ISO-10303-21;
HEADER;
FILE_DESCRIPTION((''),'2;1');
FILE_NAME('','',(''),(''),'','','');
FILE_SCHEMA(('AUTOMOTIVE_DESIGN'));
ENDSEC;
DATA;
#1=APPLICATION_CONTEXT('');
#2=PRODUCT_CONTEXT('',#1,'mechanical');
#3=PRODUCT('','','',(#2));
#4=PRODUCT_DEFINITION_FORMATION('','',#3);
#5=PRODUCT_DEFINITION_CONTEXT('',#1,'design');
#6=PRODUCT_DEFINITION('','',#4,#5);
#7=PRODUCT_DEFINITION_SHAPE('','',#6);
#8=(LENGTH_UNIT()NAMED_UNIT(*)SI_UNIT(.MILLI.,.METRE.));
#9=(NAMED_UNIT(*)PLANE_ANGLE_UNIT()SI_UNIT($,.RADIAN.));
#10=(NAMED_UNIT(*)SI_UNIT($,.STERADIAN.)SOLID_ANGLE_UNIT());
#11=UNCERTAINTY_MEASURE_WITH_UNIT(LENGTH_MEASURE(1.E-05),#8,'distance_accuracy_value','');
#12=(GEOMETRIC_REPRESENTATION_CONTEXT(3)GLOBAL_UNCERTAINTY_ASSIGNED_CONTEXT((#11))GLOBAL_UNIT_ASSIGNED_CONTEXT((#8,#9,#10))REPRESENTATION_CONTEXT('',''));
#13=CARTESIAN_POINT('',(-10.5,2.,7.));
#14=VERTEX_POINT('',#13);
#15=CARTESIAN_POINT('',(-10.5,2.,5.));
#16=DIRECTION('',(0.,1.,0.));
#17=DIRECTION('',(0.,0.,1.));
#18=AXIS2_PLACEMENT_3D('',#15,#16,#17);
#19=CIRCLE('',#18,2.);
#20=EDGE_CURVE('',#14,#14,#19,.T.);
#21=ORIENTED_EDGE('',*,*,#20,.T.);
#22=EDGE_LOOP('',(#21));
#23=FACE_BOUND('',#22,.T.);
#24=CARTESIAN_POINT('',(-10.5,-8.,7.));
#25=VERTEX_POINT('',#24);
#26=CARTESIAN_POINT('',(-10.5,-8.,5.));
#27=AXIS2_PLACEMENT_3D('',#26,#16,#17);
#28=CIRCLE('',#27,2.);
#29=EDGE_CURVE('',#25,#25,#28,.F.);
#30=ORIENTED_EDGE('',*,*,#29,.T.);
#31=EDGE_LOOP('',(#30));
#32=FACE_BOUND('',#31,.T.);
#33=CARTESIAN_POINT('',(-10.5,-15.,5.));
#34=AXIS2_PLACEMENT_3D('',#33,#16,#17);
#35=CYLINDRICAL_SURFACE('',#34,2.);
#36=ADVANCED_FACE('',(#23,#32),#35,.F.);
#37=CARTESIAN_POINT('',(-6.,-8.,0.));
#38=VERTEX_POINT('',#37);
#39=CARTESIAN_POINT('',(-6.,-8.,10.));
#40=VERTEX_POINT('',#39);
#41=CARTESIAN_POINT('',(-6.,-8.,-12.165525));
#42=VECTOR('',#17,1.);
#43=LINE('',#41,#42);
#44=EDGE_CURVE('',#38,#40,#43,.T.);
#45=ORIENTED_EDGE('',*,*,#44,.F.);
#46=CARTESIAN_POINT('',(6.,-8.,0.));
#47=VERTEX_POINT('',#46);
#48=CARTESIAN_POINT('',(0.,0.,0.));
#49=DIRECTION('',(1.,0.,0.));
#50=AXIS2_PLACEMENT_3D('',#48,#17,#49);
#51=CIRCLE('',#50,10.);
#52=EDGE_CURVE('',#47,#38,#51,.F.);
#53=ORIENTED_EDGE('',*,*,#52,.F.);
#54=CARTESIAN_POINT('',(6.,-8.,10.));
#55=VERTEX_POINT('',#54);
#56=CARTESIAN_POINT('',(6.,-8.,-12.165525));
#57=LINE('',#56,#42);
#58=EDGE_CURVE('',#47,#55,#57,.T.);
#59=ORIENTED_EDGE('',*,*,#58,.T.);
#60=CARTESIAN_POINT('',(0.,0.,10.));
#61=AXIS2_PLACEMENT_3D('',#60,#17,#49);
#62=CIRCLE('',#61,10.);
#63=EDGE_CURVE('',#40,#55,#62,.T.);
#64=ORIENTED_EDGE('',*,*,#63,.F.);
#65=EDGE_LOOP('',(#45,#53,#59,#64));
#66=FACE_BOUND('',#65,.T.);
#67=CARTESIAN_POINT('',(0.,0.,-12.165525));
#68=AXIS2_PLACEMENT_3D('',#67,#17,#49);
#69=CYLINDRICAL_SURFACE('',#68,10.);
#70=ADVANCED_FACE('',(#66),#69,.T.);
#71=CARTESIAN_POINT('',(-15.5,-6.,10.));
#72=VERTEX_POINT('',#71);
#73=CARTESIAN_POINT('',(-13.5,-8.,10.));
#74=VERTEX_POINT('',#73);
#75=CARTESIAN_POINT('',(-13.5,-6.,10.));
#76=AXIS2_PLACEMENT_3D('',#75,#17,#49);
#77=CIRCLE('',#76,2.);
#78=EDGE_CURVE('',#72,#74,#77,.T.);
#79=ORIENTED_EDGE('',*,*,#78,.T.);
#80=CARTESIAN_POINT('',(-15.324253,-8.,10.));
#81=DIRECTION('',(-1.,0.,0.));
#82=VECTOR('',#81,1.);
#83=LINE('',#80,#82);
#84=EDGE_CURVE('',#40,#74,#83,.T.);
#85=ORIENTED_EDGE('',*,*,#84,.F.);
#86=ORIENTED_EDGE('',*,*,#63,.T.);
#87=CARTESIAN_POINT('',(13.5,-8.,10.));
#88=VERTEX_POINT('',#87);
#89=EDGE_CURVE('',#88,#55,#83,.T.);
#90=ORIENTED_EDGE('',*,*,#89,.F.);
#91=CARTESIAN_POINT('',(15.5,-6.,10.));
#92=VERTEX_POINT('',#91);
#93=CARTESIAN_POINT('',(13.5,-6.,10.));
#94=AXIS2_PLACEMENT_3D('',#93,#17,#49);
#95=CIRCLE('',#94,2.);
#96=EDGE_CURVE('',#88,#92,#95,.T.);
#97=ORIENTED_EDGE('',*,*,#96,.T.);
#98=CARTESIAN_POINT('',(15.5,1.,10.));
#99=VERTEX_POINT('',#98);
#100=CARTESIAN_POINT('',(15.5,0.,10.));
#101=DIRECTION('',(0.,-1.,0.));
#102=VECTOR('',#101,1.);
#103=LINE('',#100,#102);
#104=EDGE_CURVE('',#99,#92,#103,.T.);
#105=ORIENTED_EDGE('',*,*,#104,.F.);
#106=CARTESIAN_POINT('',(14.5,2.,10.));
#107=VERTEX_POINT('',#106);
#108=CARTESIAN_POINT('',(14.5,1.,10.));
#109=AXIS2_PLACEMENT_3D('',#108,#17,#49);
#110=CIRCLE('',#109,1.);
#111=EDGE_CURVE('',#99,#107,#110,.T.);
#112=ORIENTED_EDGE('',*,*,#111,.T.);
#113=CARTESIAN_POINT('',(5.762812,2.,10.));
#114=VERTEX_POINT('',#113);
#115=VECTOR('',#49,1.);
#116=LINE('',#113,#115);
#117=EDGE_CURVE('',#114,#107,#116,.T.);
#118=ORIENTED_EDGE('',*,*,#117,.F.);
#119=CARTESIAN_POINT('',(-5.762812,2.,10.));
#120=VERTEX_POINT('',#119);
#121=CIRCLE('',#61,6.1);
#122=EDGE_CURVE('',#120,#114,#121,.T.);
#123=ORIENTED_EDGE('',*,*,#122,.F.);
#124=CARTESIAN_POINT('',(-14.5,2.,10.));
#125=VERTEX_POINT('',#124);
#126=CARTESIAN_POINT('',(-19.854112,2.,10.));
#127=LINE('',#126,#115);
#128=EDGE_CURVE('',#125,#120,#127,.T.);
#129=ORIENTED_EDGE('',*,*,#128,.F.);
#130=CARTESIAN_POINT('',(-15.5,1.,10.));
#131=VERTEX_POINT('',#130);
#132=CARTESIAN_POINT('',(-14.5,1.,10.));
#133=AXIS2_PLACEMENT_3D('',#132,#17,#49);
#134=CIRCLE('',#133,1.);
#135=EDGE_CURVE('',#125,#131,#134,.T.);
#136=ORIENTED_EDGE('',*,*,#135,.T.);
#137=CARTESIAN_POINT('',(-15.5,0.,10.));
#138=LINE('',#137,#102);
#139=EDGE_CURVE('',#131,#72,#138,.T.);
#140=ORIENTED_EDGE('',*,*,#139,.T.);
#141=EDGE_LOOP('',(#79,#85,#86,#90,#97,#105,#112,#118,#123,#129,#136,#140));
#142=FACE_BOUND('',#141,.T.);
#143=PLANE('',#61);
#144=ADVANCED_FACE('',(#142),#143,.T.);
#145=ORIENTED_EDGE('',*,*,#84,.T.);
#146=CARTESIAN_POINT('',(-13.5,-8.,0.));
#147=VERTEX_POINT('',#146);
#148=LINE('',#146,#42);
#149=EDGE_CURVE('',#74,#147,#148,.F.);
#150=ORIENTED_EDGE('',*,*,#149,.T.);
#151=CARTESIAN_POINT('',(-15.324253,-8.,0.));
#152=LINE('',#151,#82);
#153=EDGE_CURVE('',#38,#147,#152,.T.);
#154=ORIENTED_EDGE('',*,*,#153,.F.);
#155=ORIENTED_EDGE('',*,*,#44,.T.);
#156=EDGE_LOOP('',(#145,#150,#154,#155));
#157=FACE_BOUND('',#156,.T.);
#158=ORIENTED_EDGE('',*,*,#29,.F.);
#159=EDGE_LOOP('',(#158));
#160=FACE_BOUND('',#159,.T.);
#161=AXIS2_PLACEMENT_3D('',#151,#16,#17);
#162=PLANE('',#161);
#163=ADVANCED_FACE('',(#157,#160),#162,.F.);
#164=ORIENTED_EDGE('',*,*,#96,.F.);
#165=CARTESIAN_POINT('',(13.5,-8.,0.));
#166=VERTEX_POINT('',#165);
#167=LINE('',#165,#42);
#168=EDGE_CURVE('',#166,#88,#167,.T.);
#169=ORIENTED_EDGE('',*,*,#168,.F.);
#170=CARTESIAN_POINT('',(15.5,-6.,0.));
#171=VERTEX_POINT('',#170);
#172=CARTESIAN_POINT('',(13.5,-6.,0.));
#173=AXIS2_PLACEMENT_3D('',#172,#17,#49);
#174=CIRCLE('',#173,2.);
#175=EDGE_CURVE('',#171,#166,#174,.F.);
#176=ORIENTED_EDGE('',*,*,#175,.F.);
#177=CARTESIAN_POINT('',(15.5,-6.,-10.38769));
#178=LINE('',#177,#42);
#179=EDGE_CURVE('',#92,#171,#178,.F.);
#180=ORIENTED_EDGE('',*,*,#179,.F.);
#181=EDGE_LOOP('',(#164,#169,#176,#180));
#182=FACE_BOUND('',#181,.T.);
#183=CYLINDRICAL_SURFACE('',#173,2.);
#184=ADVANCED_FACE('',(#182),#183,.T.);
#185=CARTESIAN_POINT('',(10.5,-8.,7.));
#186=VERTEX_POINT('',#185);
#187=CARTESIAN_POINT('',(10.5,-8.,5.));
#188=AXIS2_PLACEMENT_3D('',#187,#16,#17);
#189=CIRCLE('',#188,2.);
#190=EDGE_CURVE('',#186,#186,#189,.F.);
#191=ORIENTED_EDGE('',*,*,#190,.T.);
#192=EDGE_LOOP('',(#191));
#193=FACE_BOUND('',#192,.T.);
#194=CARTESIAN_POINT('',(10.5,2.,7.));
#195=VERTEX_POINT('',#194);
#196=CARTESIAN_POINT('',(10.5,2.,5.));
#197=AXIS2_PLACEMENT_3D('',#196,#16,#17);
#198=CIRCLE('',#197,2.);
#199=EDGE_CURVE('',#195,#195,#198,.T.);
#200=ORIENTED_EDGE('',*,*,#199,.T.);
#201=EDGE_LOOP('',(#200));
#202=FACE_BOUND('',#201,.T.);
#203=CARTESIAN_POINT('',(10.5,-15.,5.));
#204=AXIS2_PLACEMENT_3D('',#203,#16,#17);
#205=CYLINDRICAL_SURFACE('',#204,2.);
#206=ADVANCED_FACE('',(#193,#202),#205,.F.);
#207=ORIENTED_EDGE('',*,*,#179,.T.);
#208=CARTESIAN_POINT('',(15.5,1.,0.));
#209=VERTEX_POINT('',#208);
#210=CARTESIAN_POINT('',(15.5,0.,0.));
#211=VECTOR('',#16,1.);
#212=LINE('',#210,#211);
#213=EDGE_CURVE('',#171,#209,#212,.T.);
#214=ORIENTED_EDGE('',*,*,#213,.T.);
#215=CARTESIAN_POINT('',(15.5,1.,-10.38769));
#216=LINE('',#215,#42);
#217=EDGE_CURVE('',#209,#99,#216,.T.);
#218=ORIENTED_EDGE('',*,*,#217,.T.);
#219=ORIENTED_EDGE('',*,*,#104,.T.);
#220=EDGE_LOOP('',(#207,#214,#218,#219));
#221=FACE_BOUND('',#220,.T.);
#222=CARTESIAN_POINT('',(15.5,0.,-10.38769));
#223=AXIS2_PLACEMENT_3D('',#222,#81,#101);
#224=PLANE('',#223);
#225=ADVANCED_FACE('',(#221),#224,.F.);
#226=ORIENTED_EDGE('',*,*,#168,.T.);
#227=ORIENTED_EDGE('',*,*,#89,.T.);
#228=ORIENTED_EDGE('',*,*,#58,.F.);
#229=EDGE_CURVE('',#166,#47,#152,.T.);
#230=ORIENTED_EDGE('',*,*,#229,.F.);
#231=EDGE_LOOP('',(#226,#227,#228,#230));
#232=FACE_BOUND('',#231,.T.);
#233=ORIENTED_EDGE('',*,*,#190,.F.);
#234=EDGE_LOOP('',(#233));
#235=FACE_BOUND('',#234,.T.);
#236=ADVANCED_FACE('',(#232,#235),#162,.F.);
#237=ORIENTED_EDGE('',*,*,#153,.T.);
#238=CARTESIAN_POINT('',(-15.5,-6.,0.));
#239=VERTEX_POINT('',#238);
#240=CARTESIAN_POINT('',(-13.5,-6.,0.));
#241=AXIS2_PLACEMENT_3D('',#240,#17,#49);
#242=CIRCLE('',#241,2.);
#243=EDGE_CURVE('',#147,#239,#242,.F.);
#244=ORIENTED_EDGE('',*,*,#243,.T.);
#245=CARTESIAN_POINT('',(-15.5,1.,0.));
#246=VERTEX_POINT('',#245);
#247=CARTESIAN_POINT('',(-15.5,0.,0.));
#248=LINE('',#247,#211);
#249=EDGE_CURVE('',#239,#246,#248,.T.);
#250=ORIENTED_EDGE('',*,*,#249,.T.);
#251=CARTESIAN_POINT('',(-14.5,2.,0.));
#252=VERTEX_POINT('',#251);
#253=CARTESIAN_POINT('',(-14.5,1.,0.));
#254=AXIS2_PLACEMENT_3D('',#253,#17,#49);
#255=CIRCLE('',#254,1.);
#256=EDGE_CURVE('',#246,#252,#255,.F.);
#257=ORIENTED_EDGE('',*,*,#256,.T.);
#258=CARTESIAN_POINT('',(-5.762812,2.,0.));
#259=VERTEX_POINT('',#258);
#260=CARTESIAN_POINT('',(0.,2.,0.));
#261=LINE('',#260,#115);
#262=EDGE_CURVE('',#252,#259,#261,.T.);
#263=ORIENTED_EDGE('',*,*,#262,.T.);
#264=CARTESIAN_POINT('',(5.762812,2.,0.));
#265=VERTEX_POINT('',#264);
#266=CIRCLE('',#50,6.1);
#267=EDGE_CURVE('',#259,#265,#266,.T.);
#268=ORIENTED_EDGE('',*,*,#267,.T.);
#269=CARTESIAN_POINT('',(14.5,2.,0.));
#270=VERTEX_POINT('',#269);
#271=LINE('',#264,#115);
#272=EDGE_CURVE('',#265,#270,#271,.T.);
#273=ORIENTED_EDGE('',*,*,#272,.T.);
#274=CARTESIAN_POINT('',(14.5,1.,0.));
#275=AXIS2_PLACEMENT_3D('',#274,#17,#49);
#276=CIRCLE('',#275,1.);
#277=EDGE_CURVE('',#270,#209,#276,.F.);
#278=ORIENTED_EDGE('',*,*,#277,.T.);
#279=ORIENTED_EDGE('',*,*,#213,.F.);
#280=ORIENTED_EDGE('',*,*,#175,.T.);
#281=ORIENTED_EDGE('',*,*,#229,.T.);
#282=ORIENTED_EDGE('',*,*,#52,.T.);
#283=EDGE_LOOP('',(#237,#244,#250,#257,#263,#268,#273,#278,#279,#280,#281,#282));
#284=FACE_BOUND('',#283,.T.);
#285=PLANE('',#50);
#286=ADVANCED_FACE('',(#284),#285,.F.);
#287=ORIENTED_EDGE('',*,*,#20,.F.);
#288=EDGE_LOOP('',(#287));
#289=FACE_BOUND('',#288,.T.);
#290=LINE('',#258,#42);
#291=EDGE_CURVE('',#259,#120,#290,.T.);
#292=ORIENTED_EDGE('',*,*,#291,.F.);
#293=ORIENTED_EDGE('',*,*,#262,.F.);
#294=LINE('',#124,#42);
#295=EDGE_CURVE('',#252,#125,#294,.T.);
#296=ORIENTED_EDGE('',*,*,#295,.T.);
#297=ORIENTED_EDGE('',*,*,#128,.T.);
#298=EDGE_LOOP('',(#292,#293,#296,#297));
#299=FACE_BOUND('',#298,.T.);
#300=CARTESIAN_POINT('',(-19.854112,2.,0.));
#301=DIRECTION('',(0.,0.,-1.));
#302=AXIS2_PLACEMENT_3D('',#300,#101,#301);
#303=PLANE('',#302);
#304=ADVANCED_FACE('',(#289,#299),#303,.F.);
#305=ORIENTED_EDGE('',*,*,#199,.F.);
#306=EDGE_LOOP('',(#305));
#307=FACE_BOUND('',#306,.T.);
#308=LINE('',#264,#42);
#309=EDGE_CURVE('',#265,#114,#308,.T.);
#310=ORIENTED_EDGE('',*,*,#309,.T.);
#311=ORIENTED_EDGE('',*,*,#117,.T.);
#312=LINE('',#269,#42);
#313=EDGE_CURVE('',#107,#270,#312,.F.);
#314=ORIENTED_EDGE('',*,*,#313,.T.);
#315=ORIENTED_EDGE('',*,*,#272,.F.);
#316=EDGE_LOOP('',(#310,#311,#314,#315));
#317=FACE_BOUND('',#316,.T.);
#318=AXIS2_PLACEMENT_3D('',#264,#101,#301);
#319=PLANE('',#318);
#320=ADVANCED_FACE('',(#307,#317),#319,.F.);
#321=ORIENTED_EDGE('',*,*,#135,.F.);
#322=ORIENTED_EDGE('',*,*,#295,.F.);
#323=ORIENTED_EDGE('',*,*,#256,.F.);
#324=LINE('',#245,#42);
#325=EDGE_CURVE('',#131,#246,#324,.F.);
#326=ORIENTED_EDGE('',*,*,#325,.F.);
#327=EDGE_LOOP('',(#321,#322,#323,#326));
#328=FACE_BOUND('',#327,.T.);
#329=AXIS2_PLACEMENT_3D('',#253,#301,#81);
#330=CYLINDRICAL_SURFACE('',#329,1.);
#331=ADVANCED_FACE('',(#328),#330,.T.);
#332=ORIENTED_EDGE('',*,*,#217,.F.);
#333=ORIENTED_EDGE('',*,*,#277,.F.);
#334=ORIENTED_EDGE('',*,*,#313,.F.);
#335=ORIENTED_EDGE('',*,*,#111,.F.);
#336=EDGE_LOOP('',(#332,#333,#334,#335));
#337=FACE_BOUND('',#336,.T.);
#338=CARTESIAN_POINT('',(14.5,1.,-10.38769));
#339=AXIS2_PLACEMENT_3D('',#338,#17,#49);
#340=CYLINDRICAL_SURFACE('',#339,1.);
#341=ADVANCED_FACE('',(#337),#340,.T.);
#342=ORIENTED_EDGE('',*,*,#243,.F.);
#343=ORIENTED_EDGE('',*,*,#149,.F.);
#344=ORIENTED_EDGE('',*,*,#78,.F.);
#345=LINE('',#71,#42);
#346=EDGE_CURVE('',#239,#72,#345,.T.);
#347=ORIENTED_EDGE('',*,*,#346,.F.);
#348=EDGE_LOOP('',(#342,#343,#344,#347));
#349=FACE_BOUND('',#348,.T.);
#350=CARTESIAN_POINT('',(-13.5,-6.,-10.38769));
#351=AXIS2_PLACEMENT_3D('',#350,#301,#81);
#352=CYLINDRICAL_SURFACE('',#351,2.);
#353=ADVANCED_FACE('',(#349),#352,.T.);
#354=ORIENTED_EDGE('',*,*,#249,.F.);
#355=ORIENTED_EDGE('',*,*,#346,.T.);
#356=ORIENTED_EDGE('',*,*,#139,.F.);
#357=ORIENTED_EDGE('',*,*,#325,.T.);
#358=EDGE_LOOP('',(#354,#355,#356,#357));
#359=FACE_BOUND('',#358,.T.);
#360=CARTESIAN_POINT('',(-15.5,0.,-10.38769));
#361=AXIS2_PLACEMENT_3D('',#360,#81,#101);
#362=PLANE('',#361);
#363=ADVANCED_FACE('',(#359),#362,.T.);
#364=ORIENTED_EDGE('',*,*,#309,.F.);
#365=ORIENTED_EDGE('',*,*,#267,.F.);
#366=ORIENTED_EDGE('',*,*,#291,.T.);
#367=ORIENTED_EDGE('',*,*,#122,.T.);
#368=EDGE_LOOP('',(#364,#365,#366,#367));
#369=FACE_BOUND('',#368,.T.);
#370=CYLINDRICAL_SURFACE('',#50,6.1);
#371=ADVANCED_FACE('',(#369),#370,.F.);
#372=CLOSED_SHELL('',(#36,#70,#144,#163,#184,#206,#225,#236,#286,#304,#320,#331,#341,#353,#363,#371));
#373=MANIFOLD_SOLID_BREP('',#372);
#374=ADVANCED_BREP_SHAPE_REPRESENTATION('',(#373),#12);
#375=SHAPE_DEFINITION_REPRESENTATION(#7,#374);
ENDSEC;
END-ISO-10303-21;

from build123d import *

# Parameters (mm, degrees)
SKETCH_1_R          = 15
EXTRUDE_1_DEPTH     = 10
CUT_EXTRUDE_1_DEPTH = 10
SKETCH_5_R          = 2
CUT_EXTRUDE_2_DEPTH = 25.779023387
SKETCH_7_W          = 30.648506912
SKETCH_7_H          = 10.688803122
CUT_EXTRUDE_4_DEPTH = 24.45207897
EXTRUDE_START       = -10
EXTRUDE_2_DEPTH     = 10
EXTRUDE_3_DEPTH     = 10
FILLET_1_R          = 2
FILLET_2_R          = 1


with BuildPart() as part:
    # ｽｹｯﾁ1 → ﾎﾞｽ - 押し出し1 (new body)
    with BuildSketch(Plane.XY):
        Circle(SKETCH_1_R)
    extrude(amount=EXTRUDE_1_DEPTH)

    # ｽｹｯﾁ2 → ｶｯﾄ - 押し出し1 (cut)
    with BuildSketch(Plane.XY.offset(10)):
        with BuildLine():
            Line((5.762811814, 2), (20.145888179, 2))
            Line((20.145888179, 2), (20.145888179, 26.748934653))
            Line((20.145888179, 26.748934653), (-19.854111821, 26.748934653))
            Line((-19.854111821, 26.748934653), (-19.854111821, 2))
            Line((-19.854111821, 2), (-5.762811814, 2))
            ThreePointArc((-5.762811814, 2), (0, -6.1), (5.762811814, 2))
        make_face()
    extrude(amount=-CUT_EXTRUDE_1_DEPTH, mode=Mode.SUBTRACT)

    # ｽｹｯﾁ5 → ｶｯﾄ - 押し出し2 (cut, through all)
    with BuildSketch(Plane(origin=(0, 2, 0), x_dir=(1, 0, 0), z_dir=(0, 1, 0))):
        with Locations(Location((-10.5, -5, 0), (0, 0, 270))):
            Circle(SKETCH_5_R)
        with Locations(Location((10.5, -5, 0), (0, 0, 270))):
            Circle(SKETCH_5_R)
    extrude(amount=-CUT_EXTRUDE_2_DEPTH, mode=Mode.SUBTRACT)

    # ｽｹｯﾁ7 → ｶｯﾄ - 押し出し4 (cut, through all)
    with BuildSketch(Plane.XY.offset(10)):
        with Locations((0, -13.344401561)):
            Rectangle(SKETCH_7_W, SKETCH_7_H)
    extrude(amount=-CUT_EXTRUDE_4_DEPTH, mode=Mode.SUBTRACT)

    # ｽｹｯﾁ8 → ﾎﾞｽ - 押し出し2 (add)
    with BuildSketch(Plane.XY.offset(10).offset(EXTRUDE_START)):
        with BuildLine():
            Line((-14.866068747, 2), (-15.5, 2))
            Line((-15.5, 2), (-15.5, -8))
            Line((-15.5, -8), (-12.68857754, -8))
            ThreePointArc((-12.68857754, -8), (-14.656555974, -3.191452176), (-14.866068747, 2))
        make_face()
        with BuildLine():
            ThreePointArc((14.866068747, 2), (14.656555974, -3.191452176), (12.68857754, -8))
            Line((12.68857754, -8), (15.5, -8))
            Line((15.5, -8), (15.5, 2))
            Line((15.5, 2), (14.866068747, 2))
        make_face()
    extrude(amount=EXTRUDE_2_DEPTH)

    # ｽｹｯﾁ9 → ﾎﾞｽ - 押し出し3 (add)
    with BuildSketch(Plane.XY.offset(10)):
        with BuildLine():
            Line((-6, -8), (6, -8))
            ThreePointArc((6, -8), (0, -10), (-6, -8))
        make_face()
    extrude(amount=-EXTRUDE_3_DEPTH)

    # ﾌｨﾚｯﾄ1
    fillet_1_edges = [part.edges().sort_by_distance(p)[0] for p in [
        (-15.5, -8, 5),
        (15.5, -8, 5),
    ]]
    fillet(fillet_1_edges, radius=FILLET_1_R)

    # ﾌｨﾚｯﾄ2
    fillet_2_edges = [part.edges().sort_by_distance(p)[0] for p in [
        (-15.5, 2, 5),
        (15.5, 2, 5),
    ]]
    fillet(fillet_2_edges, radius=FILLET_2_R)


solid = part.part
